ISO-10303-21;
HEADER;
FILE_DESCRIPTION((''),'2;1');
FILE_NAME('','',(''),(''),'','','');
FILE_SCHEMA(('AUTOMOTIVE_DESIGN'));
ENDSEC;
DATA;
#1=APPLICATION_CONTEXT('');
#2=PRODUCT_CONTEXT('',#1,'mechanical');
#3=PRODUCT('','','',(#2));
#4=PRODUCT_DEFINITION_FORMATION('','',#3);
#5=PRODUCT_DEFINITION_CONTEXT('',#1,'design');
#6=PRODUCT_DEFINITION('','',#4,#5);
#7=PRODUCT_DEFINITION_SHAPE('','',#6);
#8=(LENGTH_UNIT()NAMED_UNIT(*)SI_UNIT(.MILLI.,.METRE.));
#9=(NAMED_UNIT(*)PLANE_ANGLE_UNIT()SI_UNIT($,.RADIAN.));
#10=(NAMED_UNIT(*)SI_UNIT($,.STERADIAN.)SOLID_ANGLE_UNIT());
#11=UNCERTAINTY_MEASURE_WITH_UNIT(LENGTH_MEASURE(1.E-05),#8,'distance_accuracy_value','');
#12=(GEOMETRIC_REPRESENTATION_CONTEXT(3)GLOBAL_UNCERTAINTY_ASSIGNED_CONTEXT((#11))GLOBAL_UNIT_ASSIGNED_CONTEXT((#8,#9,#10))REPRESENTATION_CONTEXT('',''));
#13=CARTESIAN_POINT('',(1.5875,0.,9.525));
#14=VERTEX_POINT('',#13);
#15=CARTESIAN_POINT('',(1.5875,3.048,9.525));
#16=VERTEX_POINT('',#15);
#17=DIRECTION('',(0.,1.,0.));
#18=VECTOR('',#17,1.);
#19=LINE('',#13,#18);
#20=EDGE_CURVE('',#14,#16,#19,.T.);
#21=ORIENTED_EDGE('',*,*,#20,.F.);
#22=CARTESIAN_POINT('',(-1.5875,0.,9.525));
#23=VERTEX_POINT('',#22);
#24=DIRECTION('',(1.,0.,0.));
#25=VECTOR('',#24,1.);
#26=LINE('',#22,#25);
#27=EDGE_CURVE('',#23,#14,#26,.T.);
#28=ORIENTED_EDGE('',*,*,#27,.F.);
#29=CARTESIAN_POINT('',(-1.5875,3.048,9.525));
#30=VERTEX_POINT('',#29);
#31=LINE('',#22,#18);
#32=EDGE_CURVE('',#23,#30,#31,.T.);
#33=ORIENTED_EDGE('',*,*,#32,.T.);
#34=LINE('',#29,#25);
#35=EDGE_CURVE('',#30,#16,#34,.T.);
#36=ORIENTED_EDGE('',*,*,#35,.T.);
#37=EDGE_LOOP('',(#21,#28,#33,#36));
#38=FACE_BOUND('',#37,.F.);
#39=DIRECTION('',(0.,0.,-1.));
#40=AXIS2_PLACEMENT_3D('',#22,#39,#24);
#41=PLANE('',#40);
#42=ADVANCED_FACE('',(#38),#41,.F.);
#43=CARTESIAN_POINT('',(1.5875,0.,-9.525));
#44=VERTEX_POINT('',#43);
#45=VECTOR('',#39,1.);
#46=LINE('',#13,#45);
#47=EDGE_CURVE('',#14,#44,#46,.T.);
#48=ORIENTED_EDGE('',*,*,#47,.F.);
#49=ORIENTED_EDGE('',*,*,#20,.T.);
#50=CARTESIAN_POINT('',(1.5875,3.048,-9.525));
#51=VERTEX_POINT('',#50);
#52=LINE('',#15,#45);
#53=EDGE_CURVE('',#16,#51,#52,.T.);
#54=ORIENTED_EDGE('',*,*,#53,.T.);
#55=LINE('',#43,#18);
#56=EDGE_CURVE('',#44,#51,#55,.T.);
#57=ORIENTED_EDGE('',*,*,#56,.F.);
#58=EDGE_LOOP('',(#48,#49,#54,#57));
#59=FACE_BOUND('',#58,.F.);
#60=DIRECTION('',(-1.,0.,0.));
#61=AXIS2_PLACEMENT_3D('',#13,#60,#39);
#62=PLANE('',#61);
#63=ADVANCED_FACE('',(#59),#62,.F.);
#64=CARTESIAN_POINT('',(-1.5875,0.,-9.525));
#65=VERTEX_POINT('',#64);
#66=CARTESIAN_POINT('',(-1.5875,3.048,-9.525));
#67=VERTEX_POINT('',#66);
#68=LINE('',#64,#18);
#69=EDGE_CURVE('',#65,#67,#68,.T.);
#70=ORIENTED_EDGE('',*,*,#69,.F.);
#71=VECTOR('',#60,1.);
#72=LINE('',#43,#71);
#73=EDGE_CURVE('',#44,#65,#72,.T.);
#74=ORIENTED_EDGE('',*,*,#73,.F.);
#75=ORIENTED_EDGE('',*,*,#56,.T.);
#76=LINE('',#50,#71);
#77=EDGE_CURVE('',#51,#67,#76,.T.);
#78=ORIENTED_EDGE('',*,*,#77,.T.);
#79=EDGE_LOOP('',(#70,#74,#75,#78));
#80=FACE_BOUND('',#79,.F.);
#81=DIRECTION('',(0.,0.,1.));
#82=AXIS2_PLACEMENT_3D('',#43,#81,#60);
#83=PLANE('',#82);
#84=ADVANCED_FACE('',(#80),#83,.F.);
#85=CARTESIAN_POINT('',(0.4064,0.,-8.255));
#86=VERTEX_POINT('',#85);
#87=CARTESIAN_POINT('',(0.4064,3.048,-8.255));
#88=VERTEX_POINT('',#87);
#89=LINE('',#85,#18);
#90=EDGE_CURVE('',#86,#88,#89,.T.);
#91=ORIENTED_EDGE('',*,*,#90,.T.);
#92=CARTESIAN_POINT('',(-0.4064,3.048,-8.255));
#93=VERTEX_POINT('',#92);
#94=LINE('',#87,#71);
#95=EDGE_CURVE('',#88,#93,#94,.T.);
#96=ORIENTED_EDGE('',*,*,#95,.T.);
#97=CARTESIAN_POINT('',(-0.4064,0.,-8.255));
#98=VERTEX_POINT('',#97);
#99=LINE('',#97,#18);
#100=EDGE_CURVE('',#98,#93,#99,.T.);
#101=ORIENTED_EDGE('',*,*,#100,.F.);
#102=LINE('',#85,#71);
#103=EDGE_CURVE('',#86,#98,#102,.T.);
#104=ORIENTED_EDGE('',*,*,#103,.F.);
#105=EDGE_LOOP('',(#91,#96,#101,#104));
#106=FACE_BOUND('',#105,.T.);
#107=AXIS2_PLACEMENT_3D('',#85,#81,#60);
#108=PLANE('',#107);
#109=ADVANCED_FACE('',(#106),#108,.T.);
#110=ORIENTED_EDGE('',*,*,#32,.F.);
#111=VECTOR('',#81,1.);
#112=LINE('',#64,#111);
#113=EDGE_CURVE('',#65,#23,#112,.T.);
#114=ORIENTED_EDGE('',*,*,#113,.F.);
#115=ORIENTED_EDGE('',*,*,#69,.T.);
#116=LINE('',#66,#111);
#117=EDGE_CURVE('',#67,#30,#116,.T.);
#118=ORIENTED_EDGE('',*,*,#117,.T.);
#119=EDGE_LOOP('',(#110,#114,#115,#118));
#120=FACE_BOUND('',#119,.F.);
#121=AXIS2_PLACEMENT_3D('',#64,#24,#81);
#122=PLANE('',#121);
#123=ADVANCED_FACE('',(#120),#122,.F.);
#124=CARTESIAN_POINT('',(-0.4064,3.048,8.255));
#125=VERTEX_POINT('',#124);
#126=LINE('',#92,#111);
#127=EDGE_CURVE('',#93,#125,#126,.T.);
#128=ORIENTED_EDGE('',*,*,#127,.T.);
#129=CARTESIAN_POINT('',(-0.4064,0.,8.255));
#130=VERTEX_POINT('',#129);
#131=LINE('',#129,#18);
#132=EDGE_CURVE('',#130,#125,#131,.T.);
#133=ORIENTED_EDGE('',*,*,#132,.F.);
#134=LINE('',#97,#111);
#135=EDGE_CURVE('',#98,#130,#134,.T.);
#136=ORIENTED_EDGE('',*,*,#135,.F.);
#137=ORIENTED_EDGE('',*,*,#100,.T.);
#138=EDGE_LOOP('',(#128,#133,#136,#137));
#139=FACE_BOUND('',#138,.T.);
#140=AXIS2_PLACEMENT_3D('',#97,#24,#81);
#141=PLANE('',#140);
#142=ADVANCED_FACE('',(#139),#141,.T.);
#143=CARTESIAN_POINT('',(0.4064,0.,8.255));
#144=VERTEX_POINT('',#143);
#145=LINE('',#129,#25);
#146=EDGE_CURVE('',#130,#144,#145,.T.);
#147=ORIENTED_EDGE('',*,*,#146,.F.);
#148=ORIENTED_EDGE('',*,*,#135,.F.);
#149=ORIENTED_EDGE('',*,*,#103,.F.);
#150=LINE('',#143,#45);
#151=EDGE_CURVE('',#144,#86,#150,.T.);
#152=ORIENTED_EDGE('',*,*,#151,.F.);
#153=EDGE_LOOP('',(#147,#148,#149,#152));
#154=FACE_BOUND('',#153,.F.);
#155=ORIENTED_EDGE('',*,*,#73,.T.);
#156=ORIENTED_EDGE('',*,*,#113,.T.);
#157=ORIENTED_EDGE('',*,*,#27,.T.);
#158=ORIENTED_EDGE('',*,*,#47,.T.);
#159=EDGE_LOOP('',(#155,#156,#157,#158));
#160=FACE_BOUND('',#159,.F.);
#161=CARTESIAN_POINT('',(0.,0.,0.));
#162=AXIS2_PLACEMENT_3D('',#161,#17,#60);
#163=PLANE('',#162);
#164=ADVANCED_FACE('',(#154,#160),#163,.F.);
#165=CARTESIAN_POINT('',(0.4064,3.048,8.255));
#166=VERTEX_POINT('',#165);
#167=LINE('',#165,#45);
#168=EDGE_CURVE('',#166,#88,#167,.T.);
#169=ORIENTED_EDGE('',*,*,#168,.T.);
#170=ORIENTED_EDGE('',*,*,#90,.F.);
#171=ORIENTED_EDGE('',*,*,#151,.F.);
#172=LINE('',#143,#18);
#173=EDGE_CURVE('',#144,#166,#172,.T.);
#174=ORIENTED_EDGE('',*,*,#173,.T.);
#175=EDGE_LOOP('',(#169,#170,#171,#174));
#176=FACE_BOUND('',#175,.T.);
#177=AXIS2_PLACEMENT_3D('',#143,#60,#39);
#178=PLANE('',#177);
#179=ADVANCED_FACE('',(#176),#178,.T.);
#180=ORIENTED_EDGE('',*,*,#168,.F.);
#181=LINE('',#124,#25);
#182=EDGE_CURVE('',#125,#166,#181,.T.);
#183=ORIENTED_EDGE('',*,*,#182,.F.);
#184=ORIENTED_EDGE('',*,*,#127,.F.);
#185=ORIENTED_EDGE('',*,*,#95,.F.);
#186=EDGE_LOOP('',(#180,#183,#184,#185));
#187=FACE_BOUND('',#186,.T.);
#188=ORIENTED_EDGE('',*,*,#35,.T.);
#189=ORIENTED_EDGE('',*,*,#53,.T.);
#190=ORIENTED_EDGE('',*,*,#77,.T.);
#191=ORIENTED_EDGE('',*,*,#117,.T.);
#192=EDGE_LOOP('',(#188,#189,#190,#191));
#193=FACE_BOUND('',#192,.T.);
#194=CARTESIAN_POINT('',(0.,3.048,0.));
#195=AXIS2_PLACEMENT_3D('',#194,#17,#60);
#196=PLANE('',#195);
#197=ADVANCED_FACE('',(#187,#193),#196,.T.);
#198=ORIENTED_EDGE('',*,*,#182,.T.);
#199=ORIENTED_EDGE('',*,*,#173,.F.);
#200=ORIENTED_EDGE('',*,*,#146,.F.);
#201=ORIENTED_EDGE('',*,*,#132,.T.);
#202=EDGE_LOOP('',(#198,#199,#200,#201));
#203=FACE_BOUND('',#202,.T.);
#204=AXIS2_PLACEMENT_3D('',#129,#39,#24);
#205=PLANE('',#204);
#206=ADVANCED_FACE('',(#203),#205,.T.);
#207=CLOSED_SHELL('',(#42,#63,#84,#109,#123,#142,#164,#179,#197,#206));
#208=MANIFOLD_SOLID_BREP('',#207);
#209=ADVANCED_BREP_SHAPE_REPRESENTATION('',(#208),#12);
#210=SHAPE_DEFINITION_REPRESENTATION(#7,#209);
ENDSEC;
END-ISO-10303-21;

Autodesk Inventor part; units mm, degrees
ref_plane "YZ Plane" through (0, 0, 0) normal (1, 0, 0) x (0, 1, 0)
ref_plane "XZ Plane" through (0, 0, 0) normal (0, 1, 0) x (-1, 0, 0)
ref_plane "XY Plane" through (0, 0, 0) normal (0, 0, 1) x (1, 0, 0)
sketch "Sketch1" plane through (0, 0, 0) normal (0, 1, 0) x (-1, 0, 0)
  line L0 (-1.5875, -9.525) -> (1.5875, -9.525)
  line L1 (1.5875, -9.525) -> (1.5875, 9.525)
  line L2 (1.5875, 9.525) -> (-1.5875, 9.525)
  line L3 (-1.5875, 9.525) -> (-1.5875, -9.525)
  line L4 (-1.5875, -9.525) -> (1.5875, 9.525) construction
  line L5 (1.5875, -9.525) -> (-1.5875, 9.525) construction
  line L6 (-0.4064, -8.255) -> (0.4064, -8.255)
  line L7 (0.4064, -8.255) -> (0.4064, 8.255)
  line L8 (0.4064, 8.255) -> (-0.4064, 8.255)
  line L9 (-0.4064, 8.255) -> (-0.4064, -8.255)
  line L10 (-0.4064, -8.255) -> (0.4064, 8.255) construction
  line L11 (0.4064, -8.255) -> (-0.4064, 8.255) construction
  point P0 (0, 0)
  dimension "d0" = 3.175
  dimension "d1" = 19.05
  dimension "d2" = 0.8128
  dimension "d3" = 16.51
extrude "Extrusion1" add sketch "Sketch1" along normal blind 3.048
properties part number "riser7pin"
